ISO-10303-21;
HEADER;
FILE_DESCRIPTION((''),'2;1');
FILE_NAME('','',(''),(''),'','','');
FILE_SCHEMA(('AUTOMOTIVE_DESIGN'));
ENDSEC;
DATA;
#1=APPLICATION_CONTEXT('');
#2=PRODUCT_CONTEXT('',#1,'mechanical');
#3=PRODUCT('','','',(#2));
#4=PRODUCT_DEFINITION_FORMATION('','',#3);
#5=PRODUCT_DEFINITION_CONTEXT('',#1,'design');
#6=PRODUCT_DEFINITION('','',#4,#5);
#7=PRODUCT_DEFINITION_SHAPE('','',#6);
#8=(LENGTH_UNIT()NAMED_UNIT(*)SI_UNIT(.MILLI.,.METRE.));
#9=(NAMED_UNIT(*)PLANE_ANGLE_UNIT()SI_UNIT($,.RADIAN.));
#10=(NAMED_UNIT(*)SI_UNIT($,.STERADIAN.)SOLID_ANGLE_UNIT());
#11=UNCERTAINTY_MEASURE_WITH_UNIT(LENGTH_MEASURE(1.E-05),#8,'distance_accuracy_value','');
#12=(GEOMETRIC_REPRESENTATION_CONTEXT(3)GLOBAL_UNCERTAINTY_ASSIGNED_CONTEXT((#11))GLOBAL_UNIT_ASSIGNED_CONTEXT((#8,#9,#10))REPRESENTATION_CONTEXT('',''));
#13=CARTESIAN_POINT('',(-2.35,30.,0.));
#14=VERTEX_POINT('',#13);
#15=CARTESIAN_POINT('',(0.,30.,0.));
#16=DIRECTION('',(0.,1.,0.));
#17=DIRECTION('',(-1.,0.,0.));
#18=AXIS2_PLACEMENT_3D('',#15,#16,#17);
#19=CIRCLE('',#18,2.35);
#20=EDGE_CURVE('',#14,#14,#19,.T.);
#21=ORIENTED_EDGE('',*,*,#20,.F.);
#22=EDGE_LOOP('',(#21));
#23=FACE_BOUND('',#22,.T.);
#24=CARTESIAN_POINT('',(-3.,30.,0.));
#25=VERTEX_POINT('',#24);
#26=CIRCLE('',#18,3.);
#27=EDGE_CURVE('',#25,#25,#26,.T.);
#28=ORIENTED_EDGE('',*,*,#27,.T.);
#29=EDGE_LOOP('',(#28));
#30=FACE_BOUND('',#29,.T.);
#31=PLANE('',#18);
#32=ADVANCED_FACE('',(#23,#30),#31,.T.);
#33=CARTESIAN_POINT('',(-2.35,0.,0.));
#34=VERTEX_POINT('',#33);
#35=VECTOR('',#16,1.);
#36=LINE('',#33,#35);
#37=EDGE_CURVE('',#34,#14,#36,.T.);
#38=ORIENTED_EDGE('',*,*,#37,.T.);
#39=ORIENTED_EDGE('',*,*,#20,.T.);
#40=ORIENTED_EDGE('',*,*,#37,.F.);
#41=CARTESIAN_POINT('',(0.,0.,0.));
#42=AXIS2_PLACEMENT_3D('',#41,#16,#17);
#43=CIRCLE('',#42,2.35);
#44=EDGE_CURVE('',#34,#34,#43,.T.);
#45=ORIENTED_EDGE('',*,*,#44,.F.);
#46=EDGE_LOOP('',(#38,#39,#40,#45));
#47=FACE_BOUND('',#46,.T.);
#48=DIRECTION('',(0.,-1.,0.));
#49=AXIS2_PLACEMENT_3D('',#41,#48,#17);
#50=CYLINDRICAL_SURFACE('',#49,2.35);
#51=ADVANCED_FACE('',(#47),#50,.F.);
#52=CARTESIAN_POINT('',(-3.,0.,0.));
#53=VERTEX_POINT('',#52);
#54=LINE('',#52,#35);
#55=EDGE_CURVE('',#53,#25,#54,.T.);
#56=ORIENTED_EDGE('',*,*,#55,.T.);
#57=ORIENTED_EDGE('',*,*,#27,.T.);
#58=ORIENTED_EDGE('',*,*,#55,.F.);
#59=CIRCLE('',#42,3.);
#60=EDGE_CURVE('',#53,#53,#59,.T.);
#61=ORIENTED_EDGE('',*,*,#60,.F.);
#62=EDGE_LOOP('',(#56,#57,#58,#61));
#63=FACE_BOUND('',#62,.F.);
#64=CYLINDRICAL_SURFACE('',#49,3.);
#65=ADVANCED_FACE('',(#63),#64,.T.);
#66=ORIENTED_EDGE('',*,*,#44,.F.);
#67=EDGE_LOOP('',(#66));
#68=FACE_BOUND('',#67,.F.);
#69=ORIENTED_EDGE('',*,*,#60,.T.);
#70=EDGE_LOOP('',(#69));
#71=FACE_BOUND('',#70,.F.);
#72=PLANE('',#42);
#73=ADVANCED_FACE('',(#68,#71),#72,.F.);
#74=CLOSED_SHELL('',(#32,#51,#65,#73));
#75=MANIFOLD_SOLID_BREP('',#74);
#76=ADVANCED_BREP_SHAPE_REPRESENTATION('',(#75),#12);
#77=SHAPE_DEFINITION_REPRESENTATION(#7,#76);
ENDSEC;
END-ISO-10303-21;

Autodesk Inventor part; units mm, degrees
ref_plane "YZ Plane" through (0, 0, 0) normal (1, 0, 0) x (0, 1, 0)
ref_plane "XZ Plane" through (0, 0, 0) normal (0, 1, 0) x (-1, 0, 0)
ref_plane "XY Plane" through (0, 0, 0) normal (0, 0, 1) x (1, 0, 0)
sketch "Sketch1" plane through (0, 0, 0) normal (0, 1, 0) x (-1, 0, 0)
  circle A0 centre (0, 0) radius 2.35
  circle A1 centre (0, 0) radius 3
  dimension "d0" = 4.7
  dimension "d1" = 6
extrude "Extrusion1" add sketch "Sketch1" along normal blind 30
properties part number "standoff 30mm"
